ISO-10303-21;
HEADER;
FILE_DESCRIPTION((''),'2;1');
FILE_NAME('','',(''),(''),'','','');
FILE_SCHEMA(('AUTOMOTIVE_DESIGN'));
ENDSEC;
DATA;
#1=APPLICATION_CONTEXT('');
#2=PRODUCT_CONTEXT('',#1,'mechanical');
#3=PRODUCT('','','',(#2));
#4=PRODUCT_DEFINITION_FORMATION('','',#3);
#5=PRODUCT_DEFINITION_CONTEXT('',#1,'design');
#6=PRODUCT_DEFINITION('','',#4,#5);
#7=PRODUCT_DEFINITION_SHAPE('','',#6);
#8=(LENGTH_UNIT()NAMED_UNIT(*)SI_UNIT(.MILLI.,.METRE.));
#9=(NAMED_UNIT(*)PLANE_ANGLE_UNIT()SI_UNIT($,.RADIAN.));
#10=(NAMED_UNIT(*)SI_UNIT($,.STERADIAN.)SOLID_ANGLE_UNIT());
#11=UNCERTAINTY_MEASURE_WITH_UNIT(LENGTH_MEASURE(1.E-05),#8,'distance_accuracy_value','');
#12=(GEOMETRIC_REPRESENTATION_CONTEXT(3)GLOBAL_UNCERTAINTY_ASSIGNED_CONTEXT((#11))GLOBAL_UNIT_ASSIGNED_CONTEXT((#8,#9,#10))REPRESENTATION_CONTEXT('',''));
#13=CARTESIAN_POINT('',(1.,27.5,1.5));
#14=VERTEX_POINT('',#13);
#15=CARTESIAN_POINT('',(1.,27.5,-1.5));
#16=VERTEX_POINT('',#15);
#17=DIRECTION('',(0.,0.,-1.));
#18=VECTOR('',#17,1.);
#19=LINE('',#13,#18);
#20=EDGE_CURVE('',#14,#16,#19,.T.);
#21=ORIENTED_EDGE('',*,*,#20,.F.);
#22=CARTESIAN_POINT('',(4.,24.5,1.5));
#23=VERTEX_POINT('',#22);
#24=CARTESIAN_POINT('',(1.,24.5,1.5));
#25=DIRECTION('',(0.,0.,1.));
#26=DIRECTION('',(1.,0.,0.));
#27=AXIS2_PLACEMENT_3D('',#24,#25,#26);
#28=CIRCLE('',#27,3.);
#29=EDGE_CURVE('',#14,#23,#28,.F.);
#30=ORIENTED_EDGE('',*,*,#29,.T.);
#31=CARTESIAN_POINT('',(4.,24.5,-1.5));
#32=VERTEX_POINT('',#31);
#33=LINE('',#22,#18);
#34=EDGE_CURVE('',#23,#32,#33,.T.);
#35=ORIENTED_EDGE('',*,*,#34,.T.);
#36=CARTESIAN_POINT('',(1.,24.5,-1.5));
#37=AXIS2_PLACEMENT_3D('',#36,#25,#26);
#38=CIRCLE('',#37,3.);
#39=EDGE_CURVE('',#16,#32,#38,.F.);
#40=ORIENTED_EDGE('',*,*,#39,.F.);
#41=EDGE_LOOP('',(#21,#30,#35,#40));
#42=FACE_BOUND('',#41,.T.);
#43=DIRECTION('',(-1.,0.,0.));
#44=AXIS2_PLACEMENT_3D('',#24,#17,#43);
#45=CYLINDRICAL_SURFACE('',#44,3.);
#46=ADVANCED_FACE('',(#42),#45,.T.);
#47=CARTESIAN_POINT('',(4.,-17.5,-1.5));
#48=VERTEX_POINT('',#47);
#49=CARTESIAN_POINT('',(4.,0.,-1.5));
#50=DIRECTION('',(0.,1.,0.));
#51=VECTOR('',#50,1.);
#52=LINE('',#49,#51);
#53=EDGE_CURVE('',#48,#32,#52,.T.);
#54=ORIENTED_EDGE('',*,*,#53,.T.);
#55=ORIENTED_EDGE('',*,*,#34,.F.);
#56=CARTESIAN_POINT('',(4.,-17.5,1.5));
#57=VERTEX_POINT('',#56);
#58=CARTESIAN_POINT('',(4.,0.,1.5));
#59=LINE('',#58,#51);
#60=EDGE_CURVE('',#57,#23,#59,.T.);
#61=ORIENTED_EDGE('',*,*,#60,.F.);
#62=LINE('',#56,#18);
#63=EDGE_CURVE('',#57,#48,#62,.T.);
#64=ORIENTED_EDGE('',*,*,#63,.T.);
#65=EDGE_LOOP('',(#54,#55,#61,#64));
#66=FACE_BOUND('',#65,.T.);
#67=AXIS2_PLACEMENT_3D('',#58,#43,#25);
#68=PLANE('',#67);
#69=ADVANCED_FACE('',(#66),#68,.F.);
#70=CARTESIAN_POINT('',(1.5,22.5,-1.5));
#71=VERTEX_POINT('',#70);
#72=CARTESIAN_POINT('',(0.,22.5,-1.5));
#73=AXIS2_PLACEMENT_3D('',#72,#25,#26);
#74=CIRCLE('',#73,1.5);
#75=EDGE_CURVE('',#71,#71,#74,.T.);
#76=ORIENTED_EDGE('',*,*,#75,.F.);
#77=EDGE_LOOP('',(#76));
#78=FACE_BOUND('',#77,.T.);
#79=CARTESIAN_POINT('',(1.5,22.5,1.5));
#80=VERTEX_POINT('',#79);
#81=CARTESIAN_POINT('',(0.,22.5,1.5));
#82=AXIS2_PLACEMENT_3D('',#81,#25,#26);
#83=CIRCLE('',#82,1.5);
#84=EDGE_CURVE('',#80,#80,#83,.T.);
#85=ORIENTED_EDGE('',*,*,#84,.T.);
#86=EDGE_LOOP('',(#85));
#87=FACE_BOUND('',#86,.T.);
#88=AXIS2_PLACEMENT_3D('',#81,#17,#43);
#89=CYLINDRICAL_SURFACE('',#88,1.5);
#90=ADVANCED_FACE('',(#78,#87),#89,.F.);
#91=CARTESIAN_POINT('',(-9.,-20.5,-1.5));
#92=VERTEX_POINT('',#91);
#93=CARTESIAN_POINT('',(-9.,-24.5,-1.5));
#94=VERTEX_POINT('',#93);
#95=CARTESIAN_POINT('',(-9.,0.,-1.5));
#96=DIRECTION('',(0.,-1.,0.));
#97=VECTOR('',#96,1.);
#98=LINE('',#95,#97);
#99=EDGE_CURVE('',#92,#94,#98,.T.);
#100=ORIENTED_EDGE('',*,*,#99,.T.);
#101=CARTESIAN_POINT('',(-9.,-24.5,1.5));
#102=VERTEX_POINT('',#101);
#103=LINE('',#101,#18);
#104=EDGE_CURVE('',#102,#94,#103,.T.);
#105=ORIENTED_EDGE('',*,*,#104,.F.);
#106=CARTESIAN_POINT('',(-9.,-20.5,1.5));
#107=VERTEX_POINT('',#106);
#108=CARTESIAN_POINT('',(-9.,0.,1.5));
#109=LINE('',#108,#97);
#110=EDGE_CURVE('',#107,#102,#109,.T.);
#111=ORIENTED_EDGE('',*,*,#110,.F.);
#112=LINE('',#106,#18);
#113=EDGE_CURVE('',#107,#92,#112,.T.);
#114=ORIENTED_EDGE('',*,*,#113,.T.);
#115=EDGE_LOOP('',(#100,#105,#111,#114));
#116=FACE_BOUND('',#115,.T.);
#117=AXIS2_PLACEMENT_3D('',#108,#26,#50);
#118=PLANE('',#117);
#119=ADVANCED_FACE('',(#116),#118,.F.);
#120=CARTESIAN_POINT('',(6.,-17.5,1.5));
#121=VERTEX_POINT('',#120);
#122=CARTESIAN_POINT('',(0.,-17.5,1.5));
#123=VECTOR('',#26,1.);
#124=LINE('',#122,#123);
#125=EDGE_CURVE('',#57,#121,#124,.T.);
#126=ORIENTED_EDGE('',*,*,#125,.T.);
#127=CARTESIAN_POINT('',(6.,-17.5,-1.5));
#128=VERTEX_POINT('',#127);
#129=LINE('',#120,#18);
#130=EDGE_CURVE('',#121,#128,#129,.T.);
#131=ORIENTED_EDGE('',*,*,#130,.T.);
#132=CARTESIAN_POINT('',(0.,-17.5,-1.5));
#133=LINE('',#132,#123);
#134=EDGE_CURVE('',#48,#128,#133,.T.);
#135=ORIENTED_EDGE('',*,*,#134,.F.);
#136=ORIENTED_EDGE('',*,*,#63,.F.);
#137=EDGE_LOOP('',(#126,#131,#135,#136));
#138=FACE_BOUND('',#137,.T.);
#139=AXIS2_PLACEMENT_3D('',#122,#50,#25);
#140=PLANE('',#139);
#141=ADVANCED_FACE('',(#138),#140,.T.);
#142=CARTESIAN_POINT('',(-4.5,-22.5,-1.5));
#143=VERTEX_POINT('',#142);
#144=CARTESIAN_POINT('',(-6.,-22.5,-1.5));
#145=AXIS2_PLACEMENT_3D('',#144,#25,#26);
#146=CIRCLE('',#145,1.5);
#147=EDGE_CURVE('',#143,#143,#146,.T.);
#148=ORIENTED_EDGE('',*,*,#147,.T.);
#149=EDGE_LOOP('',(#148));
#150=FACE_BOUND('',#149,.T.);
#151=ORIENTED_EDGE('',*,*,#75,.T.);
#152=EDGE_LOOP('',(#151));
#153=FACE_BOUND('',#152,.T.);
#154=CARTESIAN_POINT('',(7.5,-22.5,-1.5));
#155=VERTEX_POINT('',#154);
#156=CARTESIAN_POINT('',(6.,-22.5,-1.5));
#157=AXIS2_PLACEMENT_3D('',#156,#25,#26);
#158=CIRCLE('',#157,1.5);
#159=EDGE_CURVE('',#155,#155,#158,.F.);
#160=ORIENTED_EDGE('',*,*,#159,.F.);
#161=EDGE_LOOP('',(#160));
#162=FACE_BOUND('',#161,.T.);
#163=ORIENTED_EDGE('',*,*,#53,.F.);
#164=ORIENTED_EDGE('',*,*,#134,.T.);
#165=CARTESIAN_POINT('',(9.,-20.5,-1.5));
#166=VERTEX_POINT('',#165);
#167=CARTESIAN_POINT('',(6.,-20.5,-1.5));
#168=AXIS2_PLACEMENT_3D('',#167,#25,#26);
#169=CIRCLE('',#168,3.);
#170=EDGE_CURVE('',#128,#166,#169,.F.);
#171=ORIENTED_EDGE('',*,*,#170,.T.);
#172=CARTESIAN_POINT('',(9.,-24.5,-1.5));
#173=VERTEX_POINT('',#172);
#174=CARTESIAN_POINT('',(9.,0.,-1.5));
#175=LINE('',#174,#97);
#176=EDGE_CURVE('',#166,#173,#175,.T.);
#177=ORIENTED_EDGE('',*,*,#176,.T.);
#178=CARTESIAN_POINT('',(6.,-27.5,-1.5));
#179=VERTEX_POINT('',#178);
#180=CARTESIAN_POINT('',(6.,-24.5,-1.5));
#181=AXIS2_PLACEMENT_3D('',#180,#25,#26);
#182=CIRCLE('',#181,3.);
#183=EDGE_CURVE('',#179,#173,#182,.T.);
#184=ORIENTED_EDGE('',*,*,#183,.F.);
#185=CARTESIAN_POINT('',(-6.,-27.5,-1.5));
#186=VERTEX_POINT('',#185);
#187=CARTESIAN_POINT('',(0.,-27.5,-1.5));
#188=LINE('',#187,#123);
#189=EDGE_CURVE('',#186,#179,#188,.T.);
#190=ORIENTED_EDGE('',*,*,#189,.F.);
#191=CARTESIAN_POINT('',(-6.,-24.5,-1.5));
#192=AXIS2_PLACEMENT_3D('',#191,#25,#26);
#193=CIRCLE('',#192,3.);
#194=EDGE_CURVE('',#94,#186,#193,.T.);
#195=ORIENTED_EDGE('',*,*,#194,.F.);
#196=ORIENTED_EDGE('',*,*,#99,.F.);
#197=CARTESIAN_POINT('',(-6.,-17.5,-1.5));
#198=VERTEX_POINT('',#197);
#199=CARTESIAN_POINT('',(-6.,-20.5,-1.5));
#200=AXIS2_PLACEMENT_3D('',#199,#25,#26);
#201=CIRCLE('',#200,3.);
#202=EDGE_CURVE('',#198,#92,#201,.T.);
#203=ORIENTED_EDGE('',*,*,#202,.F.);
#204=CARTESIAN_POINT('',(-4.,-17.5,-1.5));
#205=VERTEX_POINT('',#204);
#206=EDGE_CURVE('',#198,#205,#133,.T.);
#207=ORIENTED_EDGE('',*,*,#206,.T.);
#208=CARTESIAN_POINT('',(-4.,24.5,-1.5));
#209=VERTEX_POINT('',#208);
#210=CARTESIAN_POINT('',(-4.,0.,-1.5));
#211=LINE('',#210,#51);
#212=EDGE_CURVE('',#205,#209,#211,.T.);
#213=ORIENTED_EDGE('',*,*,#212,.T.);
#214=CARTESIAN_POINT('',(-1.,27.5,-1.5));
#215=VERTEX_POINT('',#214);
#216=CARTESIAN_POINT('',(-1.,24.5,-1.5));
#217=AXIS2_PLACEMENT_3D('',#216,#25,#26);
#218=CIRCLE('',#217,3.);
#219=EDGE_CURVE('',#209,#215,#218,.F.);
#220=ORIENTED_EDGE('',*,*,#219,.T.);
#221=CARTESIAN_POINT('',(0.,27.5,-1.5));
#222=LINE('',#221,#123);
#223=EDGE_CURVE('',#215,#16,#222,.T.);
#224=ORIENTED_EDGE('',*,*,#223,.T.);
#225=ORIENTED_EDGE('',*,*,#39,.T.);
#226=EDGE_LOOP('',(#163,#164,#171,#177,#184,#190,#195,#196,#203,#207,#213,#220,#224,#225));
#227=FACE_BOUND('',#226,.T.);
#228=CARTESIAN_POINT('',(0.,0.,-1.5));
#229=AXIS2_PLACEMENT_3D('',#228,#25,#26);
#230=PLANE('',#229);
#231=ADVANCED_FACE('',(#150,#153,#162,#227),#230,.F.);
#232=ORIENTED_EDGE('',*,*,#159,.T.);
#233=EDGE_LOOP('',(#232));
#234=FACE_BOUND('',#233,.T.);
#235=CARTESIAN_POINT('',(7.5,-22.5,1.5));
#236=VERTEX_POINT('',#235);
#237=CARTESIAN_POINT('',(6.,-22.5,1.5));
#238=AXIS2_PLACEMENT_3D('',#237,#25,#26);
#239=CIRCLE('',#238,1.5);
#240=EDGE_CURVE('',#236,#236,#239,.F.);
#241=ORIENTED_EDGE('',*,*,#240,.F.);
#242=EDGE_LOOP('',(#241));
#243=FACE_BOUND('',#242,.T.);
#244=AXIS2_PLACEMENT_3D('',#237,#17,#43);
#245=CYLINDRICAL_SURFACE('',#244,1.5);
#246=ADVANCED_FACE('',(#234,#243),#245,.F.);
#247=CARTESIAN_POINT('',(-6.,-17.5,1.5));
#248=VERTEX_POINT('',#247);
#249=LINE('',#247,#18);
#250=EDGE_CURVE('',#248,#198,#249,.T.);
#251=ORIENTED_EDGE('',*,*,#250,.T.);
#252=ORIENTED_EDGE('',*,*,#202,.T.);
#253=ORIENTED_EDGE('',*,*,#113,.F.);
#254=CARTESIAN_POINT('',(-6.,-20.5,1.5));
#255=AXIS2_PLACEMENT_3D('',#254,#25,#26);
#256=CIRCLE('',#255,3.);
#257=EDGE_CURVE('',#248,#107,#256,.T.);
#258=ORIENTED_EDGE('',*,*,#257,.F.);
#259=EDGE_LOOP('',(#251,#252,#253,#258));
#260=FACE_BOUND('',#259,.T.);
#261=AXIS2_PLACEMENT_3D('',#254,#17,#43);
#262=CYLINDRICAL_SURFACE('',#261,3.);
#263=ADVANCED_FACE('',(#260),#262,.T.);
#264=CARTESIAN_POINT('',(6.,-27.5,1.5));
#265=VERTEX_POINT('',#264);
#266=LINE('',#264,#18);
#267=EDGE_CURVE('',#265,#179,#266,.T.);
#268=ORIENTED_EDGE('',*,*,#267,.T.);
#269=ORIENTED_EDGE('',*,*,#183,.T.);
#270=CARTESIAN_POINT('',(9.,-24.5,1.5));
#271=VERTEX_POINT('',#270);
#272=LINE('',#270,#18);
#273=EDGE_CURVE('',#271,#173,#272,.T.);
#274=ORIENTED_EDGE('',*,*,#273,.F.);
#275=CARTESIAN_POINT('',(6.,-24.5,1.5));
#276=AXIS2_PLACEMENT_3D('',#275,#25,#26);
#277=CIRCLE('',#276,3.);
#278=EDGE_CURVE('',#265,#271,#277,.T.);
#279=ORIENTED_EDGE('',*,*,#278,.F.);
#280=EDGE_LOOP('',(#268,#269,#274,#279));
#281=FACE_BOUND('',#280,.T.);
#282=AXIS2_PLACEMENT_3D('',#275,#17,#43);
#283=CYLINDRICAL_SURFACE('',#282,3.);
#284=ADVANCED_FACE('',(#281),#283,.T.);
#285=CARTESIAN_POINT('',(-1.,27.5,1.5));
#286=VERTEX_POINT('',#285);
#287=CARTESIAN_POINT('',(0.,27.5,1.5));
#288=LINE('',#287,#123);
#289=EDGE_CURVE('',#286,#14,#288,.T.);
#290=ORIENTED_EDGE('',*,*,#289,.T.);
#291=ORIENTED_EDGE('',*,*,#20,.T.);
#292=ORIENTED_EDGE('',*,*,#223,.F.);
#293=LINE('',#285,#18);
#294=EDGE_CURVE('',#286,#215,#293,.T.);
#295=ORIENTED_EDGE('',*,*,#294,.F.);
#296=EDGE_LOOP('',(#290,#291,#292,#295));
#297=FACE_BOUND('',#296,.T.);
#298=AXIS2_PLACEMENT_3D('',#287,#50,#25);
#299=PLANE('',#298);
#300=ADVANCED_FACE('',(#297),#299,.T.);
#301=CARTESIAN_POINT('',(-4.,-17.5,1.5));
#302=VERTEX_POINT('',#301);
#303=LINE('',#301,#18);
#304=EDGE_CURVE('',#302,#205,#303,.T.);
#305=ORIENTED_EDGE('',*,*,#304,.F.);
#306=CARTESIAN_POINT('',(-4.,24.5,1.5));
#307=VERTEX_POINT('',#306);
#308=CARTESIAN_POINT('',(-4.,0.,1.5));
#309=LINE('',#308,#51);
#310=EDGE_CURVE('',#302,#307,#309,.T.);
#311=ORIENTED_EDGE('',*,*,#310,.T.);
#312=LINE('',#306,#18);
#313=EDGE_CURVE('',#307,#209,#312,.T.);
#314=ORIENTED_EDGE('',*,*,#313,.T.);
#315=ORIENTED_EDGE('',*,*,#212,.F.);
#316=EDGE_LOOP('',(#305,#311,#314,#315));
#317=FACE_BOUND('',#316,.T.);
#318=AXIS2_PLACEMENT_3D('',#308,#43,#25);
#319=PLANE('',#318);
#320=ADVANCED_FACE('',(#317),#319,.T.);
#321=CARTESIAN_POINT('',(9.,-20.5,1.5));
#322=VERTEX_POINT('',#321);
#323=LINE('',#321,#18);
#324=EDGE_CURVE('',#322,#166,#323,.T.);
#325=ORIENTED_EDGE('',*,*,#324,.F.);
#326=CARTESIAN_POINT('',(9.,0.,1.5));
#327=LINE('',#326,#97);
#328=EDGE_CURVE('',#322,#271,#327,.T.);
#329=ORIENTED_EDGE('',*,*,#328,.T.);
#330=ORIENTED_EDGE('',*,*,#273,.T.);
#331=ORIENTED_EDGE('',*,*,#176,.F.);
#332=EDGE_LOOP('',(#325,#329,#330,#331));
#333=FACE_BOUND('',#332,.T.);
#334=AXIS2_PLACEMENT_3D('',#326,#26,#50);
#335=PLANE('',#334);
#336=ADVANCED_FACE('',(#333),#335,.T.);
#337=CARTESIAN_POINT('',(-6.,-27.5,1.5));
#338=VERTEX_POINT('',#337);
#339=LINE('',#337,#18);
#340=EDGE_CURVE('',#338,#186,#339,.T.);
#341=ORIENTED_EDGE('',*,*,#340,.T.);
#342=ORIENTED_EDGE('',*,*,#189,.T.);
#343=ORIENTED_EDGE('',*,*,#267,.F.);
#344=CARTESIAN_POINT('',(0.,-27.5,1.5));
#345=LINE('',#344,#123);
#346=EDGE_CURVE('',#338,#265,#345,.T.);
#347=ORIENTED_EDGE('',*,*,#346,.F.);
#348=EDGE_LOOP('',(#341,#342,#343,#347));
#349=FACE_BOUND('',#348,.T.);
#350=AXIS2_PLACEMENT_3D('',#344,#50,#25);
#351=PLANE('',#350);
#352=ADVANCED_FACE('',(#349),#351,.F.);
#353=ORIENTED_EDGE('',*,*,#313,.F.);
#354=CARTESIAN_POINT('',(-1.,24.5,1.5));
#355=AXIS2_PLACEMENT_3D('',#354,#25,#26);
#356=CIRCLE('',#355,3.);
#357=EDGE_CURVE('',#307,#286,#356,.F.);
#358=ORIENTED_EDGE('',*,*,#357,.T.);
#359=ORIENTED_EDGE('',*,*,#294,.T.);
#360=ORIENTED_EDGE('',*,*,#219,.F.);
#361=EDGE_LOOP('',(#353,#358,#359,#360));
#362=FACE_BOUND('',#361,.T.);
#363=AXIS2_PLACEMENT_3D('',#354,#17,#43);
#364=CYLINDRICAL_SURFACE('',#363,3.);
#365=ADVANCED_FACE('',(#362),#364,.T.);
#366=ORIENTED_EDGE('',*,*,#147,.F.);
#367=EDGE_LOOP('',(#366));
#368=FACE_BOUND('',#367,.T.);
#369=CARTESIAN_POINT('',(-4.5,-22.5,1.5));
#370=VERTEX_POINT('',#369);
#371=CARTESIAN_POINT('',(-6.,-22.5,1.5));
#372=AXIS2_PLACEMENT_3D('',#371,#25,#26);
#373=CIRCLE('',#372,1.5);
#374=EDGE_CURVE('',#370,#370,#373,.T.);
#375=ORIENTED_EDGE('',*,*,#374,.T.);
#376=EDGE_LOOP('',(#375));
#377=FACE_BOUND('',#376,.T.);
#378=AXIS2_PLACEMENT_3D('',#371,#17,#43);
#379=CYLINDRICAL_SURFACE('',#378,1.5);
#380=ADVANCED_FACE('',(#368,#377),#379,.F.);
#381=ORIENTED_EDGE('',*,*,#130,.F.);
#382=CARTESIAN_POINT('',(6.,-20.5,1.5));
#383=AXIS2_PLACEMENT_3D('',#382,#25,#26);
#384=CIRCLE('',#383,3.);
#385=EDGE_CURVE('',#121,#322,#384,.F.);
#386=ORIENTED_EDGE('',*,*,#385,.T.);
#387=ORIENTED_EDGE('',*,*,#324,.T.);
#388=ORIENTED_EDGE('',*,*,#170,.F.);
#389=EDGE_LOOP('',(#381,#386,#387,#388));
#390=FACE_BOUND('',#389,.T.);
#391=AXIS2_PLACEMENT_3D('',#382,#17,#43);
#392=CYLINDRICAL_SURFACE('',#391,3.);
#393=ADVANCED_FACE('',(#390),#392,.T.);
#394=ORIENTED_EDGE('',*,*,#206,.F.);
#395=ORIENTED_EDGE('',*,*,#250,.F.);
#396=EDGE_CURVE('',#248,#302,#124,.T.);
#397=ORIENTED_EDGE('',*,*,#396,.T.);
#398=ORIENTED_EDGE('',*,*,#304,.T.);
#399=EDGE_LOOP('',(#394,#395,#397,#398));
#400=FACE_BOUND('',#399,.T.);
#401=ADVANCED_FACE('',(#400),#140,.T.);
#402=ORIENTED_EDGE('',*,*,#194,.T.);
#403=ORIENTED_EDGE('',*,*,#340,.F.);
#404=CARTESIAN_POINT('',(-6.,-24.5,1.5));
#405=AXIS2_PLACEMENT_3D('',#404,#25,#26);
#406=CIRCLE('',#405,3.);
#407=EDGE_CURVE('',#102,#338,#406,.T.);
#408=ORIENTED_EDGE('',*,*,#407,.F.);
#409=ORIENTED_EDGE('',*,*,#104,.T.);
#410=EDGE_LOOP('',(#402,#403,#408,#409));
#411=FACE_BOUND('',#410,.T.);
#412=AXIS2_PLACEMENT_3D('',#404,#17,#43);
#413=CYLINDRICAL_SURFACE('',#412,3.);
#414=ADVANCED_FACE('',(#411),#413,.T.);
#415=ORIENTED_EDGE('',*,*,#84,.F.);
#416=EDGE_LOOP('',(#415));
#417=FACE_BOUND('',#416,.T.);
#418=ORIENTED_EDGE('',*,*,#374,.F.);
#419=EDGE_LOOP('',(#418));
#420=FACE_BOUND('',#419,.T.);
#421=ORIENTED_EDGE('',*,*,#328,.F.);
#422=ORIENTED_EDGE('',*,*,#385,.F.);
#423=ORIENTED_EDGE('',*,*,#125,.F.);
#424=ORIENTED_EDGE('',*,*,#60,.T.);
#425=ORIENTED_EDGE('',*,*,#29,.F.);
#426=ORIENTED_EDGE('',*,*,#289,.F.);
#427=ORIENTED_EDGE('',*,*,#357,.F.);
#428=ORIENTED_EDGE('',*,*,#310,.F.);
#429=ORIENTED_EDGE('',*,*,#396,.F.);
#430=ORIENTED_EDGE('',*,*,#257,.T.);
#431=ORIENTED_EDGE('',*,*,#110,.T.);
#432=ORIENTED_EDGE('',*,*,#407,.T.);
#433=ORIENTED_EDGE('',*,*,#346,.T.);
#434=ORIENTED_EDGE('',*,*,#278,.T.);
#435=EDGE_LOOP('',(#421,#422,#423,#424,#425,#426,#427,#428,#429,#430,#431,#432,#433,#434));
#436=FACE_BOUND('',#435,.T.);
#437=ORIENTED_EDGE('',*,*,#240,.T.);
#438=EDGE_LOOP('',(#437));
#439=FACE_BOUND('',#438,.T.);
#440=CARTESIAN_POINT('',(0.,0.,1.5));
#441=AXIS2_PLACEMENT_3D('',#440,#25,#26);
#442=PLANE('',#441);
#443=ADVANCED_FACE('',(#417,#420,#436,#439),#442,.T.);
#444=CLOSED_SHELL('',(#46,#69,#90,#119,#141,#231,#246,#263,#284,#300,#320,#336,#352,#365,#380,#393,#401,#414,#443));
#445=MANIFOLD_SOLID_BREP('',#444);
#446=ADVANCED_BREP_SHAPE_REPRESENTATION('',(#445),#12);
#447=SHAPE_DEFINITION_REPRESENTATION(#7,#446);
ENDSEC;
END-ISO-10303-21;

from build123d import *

# Parameters (mm, degrees)
CROQUIS1_R              = 1.5
SALIENTE_EXTRUIR1_DEPTH = 1.5


with BuildPart() as part:
    # Croquis1 → Saliente-Extruir1 (new, symmetric)
    # profile 1 of 4: a face of its own
    with BuildSketch(Plane.XY):
        with BuildLine():
            Line((-4, 24.5), (-4, -17.5))
            Line((-4, -17.5), (4, -17.5))
            Line((4, -17.5), (4, 24.5))
            ThreePointArc((4, 24.5), (3.121320344, 26.621320344), (1, 27.5))
            Line((1, 27.5), (-1, 27.5))
            ThreePointArc((-1, 27.5), (-3.121320344, 26.621320344), (-4, 24.5))
        make_face()
        with Locations((0, 22.5)):
            Circle(CROQUIS1_R, mode=Mode.SUBTRACT)
    # profile 2 of 4: a face of its own
    with BuildSketch(Plane.XY):
        with BuildLine():
            Line((-6, -27.5), (-1, -27.5))
            ThreePointArc((-1, -27.5), (-3.121320344, -26.621320344), (-4, -24.5))
            Line((-4, -24.5), (-4, -17.5))
            Line((-4, -17.5), (-6, -17.5))
            ThreePointArc((-6, -17.5), (-8.121320344, -18.378679656), (-9, -20.5))
            Line((-9, -20.5), (-9, -24.5))
            ThreePointArc((-9, -24.5), (-8.121320344, -26.621320344), (-6, -27.5))
        make_face()
        with Locations((-6, -22.5)):
            Circle(CROQUIS1_R, mode=Mode.SUBTRACT)
    # profile 3 of 4: a face of its own
    with BuildSketch(Plane.XY):
        with BuildLine():
            ThreePointArc((-4, -24.5), (-3.121320344, -26.621320344), (-1, -27.5))
            Line((-1, -27.5), (1, -27.5))
            ThreePointArc((1, -27.5), (3.121320344, -26.621320344), (4, -24.5))
            Line((4, -24.5), (4, -17.5))
            Line((4, -17.5), (-4, -17.5))
            Line((-4, -17.5), (-4, -24.5))
        make_face()
    # profile 4 of 4: a face of its own
    with BuildSketch(Plane.XY):
        with BuildLine():
            ThreePointArc((4, -24.5), (3.121320344, -26.621320344), (1, -27.5))
            Line((1, -27.5), (6, -27.5))
            ThreePointArc((6, -27.5), (8.121320344, -26.621320344), (9, -24.5))
            Line((9, -24.5), (9, -20.5))
            ThreePointArc((9, -20.5), (8.121320344, -18.378679656), (6, -17.5))
            Line((6, -17.5), (4, -17.5))
            Line((4, -17.5), (4, -24.5))
        make_face()
        with Locations((6, -22.5)):
            Circle(CROQUIS1_R, mode=Mode.SUBTRACT)
    extrude(amount=SALIENTE_EXTRUIR1_DEPTH, both=True)


solid = part.part
